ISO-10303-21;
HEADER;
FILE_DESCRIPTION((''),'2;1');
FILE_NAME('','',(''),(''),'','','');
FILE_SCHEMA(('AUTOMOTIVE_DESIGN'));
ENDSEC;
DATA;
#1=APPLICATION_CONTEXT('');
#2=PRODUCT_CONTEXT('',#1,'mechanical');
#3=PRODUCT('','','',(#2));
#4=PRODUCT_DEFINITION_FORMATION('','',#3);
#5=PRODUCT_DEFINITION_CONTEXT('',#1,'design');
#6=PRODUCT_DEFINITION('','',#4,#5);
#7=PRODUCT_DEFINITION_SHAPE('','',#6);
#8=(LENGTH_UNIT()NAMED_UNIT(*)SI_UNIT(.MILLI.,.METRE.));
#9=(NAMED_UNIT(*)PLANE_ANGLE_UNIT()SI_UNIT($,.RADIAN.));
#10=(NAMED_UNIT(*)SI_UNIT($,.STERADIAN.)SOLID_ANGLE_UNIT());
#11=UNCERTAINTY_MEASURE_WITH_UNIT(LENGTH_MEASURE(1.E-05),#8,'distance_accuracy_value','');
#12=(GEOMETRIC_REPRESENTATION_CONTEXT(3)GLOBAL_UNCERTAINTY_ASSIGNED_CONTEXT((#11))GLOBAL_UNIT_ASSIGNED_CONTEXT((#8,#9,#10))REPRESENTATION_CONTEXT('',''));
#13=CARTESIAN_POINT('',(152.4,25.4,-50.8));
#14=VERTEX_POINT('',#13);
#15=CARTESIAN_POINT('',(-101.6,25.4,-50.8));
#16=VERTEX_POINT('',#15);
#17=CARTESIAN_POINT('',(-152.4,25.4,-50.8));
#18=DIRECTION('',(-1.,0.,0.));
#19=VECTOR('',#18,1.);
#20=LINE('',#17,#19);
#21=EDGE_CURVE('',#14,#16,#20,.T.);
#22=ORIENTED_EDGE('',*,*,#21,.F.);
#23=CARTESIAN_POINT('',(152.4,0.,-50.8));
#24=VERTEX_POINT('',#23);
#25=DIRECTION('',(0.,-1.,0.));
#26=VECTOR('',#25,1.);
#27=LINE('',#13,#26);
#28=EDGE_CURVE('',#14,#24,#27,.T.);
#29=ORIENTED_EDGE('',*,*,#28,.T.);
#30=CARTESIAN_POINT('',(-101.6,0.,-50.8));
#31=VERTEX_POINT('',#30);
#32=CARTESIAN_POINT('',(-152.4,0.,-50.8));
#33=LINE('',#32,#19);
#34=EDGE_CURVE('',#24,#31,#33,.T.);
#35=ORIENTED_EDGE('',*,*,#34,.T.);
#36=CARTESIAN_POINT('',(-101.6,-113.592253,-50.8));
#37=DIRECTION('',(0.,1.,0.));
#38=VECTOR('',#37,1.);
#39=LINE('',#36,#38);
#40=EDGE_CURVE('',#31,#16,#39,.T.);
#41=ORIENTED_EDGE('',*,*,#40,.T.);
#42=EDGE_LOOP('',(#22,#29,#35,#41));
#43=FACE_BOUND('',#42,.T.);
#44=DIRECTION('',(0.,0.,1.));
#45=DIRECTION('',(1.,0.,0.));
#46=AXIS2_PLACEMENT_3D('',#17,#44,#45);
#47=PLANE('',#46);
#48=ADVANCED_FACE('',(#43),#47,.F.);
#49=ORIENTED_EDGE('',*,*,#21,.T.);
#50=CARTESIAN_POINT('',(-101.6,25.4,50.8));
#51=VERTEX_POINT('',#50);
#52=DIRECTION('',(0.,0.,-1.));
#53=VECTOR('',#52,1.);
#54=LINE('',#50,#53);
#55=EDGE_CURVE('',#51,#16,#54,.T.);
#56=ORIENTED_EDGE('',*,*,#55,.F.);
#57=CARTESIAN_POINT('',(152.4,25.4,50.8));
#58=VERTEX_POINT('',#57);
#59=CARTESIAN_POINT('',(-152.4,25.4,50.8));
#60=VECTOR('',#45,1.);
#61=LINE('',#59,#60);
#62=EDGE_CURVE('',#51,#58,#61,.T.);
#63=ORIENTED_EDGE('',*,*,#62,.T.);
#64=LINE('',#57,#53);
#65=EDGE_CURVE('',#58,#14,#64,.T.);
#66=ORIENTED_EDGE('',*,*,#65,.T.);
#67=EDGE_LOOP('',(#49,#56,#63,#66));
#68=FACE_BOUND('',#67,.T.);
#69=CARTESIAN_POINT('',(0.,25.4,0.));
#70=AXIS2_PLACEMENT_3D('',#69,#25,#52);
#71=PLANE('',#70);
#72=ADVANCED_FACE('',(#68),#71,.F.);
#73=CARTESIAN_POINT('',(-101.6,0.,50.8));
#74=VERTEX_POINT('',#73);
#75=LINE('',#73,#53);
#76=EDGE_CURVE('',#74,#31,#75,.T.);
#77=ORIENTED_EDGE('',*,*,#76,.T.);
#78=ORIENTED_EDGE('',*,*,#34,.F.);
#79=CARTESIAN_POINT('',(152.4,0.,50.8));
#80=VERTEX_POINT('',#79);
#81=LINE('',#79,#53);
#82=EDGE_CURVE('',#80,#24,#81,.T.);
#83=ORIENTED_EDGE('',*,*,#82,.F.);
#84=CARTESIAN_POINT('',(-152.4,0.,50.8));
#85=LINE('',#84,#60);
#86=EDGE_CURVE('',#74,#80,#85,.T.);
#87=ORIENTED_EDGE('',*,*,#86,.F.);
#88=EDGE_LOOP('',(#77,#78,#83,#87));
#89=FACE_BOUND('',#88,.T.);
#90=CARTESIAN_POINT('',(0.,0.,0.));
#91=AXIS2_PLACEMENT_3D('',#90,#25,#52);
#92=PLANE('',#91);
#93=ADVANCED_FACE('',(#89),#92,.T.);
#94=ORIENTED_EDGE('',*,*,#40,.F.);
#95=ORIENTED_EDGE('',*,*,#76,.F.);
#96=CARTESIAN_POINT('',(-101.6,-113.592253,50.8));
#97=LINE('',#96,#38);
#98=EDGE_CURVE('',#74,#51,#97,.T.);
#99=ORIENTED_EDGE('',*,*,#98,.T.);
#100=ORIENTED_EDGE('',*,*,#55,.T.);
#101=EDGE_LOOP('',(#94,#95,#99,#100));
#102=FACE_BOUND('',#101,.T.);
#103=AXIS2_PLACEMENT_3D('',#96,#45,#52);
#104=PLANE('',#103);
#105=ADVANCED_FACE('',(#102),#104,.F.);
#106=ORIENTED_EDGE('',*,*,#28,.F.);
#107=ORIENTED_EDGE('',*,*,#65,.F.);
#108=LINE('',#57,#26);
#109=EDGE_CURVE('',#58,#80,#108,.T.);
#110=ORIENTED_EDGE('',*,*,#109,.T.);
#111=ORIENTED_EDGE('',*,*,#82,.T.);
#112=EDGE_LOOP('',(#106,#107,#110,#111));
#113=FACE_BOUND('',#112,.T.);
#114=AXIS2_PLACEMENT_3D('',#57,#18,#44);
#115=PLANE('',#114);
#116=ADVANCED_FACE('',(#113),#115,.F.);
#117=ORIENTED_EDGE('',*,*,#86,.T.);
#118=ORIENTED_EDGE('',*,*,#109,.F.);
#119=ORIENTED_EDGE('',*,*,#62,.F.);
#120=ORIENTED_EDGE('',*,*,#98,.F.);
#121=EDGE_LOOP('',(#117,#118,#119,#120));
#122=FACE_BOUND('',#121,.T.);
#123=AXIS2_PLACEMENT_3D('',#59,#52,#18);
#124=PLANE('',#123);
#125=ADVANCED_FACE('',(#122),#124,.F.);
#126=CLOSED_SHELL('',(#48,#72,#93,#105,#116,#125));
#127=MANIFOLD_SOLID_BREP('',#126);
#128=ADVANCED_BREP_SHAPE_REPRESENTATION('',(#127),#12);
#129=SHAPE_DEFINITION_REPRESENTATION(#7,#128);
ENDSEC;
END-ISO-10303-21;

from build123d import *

# Parameters (mm, degrees)
SKETCH1_W           = 304.8
SKETCH1_H           = 101.6
BOSS_EXTRUDE1_DEPTH = 25.4
SKETCH2_W           = 50.8
SKETCH2_H           = 101.6
CUT_EXTRUDE1_DEPTH  = 25.4


with BuildPart() as part:
    # Sketch1 → Boss-Extrude1 (new body)
    with BuildSketch(Plane(origin=(0, 0, 0), x_dir=(1, 0, 0), z_dir=(0, 1, 0))):
        Rectangle(SKETCH1_W, SKETCH1_H)
    extrude(amount=BOSS_EXTRUDE1_DEPTH)

    # Sketch2 → Cut-Extrude1 (cut)
    with BuildSketch(Plane(origin=(0, 25.4, 0), x_dir=(1, 0, 0), z_dir=(0, 1, 0))):
        with Locations((-127, 0)):
            Rectangle(SKETCH2_W, SKETCH2_H)
    extrude(amount=-CUT_EXTRUDE1_DEPTH, mode=Mode.SUBTRACT)


solid = part.part
